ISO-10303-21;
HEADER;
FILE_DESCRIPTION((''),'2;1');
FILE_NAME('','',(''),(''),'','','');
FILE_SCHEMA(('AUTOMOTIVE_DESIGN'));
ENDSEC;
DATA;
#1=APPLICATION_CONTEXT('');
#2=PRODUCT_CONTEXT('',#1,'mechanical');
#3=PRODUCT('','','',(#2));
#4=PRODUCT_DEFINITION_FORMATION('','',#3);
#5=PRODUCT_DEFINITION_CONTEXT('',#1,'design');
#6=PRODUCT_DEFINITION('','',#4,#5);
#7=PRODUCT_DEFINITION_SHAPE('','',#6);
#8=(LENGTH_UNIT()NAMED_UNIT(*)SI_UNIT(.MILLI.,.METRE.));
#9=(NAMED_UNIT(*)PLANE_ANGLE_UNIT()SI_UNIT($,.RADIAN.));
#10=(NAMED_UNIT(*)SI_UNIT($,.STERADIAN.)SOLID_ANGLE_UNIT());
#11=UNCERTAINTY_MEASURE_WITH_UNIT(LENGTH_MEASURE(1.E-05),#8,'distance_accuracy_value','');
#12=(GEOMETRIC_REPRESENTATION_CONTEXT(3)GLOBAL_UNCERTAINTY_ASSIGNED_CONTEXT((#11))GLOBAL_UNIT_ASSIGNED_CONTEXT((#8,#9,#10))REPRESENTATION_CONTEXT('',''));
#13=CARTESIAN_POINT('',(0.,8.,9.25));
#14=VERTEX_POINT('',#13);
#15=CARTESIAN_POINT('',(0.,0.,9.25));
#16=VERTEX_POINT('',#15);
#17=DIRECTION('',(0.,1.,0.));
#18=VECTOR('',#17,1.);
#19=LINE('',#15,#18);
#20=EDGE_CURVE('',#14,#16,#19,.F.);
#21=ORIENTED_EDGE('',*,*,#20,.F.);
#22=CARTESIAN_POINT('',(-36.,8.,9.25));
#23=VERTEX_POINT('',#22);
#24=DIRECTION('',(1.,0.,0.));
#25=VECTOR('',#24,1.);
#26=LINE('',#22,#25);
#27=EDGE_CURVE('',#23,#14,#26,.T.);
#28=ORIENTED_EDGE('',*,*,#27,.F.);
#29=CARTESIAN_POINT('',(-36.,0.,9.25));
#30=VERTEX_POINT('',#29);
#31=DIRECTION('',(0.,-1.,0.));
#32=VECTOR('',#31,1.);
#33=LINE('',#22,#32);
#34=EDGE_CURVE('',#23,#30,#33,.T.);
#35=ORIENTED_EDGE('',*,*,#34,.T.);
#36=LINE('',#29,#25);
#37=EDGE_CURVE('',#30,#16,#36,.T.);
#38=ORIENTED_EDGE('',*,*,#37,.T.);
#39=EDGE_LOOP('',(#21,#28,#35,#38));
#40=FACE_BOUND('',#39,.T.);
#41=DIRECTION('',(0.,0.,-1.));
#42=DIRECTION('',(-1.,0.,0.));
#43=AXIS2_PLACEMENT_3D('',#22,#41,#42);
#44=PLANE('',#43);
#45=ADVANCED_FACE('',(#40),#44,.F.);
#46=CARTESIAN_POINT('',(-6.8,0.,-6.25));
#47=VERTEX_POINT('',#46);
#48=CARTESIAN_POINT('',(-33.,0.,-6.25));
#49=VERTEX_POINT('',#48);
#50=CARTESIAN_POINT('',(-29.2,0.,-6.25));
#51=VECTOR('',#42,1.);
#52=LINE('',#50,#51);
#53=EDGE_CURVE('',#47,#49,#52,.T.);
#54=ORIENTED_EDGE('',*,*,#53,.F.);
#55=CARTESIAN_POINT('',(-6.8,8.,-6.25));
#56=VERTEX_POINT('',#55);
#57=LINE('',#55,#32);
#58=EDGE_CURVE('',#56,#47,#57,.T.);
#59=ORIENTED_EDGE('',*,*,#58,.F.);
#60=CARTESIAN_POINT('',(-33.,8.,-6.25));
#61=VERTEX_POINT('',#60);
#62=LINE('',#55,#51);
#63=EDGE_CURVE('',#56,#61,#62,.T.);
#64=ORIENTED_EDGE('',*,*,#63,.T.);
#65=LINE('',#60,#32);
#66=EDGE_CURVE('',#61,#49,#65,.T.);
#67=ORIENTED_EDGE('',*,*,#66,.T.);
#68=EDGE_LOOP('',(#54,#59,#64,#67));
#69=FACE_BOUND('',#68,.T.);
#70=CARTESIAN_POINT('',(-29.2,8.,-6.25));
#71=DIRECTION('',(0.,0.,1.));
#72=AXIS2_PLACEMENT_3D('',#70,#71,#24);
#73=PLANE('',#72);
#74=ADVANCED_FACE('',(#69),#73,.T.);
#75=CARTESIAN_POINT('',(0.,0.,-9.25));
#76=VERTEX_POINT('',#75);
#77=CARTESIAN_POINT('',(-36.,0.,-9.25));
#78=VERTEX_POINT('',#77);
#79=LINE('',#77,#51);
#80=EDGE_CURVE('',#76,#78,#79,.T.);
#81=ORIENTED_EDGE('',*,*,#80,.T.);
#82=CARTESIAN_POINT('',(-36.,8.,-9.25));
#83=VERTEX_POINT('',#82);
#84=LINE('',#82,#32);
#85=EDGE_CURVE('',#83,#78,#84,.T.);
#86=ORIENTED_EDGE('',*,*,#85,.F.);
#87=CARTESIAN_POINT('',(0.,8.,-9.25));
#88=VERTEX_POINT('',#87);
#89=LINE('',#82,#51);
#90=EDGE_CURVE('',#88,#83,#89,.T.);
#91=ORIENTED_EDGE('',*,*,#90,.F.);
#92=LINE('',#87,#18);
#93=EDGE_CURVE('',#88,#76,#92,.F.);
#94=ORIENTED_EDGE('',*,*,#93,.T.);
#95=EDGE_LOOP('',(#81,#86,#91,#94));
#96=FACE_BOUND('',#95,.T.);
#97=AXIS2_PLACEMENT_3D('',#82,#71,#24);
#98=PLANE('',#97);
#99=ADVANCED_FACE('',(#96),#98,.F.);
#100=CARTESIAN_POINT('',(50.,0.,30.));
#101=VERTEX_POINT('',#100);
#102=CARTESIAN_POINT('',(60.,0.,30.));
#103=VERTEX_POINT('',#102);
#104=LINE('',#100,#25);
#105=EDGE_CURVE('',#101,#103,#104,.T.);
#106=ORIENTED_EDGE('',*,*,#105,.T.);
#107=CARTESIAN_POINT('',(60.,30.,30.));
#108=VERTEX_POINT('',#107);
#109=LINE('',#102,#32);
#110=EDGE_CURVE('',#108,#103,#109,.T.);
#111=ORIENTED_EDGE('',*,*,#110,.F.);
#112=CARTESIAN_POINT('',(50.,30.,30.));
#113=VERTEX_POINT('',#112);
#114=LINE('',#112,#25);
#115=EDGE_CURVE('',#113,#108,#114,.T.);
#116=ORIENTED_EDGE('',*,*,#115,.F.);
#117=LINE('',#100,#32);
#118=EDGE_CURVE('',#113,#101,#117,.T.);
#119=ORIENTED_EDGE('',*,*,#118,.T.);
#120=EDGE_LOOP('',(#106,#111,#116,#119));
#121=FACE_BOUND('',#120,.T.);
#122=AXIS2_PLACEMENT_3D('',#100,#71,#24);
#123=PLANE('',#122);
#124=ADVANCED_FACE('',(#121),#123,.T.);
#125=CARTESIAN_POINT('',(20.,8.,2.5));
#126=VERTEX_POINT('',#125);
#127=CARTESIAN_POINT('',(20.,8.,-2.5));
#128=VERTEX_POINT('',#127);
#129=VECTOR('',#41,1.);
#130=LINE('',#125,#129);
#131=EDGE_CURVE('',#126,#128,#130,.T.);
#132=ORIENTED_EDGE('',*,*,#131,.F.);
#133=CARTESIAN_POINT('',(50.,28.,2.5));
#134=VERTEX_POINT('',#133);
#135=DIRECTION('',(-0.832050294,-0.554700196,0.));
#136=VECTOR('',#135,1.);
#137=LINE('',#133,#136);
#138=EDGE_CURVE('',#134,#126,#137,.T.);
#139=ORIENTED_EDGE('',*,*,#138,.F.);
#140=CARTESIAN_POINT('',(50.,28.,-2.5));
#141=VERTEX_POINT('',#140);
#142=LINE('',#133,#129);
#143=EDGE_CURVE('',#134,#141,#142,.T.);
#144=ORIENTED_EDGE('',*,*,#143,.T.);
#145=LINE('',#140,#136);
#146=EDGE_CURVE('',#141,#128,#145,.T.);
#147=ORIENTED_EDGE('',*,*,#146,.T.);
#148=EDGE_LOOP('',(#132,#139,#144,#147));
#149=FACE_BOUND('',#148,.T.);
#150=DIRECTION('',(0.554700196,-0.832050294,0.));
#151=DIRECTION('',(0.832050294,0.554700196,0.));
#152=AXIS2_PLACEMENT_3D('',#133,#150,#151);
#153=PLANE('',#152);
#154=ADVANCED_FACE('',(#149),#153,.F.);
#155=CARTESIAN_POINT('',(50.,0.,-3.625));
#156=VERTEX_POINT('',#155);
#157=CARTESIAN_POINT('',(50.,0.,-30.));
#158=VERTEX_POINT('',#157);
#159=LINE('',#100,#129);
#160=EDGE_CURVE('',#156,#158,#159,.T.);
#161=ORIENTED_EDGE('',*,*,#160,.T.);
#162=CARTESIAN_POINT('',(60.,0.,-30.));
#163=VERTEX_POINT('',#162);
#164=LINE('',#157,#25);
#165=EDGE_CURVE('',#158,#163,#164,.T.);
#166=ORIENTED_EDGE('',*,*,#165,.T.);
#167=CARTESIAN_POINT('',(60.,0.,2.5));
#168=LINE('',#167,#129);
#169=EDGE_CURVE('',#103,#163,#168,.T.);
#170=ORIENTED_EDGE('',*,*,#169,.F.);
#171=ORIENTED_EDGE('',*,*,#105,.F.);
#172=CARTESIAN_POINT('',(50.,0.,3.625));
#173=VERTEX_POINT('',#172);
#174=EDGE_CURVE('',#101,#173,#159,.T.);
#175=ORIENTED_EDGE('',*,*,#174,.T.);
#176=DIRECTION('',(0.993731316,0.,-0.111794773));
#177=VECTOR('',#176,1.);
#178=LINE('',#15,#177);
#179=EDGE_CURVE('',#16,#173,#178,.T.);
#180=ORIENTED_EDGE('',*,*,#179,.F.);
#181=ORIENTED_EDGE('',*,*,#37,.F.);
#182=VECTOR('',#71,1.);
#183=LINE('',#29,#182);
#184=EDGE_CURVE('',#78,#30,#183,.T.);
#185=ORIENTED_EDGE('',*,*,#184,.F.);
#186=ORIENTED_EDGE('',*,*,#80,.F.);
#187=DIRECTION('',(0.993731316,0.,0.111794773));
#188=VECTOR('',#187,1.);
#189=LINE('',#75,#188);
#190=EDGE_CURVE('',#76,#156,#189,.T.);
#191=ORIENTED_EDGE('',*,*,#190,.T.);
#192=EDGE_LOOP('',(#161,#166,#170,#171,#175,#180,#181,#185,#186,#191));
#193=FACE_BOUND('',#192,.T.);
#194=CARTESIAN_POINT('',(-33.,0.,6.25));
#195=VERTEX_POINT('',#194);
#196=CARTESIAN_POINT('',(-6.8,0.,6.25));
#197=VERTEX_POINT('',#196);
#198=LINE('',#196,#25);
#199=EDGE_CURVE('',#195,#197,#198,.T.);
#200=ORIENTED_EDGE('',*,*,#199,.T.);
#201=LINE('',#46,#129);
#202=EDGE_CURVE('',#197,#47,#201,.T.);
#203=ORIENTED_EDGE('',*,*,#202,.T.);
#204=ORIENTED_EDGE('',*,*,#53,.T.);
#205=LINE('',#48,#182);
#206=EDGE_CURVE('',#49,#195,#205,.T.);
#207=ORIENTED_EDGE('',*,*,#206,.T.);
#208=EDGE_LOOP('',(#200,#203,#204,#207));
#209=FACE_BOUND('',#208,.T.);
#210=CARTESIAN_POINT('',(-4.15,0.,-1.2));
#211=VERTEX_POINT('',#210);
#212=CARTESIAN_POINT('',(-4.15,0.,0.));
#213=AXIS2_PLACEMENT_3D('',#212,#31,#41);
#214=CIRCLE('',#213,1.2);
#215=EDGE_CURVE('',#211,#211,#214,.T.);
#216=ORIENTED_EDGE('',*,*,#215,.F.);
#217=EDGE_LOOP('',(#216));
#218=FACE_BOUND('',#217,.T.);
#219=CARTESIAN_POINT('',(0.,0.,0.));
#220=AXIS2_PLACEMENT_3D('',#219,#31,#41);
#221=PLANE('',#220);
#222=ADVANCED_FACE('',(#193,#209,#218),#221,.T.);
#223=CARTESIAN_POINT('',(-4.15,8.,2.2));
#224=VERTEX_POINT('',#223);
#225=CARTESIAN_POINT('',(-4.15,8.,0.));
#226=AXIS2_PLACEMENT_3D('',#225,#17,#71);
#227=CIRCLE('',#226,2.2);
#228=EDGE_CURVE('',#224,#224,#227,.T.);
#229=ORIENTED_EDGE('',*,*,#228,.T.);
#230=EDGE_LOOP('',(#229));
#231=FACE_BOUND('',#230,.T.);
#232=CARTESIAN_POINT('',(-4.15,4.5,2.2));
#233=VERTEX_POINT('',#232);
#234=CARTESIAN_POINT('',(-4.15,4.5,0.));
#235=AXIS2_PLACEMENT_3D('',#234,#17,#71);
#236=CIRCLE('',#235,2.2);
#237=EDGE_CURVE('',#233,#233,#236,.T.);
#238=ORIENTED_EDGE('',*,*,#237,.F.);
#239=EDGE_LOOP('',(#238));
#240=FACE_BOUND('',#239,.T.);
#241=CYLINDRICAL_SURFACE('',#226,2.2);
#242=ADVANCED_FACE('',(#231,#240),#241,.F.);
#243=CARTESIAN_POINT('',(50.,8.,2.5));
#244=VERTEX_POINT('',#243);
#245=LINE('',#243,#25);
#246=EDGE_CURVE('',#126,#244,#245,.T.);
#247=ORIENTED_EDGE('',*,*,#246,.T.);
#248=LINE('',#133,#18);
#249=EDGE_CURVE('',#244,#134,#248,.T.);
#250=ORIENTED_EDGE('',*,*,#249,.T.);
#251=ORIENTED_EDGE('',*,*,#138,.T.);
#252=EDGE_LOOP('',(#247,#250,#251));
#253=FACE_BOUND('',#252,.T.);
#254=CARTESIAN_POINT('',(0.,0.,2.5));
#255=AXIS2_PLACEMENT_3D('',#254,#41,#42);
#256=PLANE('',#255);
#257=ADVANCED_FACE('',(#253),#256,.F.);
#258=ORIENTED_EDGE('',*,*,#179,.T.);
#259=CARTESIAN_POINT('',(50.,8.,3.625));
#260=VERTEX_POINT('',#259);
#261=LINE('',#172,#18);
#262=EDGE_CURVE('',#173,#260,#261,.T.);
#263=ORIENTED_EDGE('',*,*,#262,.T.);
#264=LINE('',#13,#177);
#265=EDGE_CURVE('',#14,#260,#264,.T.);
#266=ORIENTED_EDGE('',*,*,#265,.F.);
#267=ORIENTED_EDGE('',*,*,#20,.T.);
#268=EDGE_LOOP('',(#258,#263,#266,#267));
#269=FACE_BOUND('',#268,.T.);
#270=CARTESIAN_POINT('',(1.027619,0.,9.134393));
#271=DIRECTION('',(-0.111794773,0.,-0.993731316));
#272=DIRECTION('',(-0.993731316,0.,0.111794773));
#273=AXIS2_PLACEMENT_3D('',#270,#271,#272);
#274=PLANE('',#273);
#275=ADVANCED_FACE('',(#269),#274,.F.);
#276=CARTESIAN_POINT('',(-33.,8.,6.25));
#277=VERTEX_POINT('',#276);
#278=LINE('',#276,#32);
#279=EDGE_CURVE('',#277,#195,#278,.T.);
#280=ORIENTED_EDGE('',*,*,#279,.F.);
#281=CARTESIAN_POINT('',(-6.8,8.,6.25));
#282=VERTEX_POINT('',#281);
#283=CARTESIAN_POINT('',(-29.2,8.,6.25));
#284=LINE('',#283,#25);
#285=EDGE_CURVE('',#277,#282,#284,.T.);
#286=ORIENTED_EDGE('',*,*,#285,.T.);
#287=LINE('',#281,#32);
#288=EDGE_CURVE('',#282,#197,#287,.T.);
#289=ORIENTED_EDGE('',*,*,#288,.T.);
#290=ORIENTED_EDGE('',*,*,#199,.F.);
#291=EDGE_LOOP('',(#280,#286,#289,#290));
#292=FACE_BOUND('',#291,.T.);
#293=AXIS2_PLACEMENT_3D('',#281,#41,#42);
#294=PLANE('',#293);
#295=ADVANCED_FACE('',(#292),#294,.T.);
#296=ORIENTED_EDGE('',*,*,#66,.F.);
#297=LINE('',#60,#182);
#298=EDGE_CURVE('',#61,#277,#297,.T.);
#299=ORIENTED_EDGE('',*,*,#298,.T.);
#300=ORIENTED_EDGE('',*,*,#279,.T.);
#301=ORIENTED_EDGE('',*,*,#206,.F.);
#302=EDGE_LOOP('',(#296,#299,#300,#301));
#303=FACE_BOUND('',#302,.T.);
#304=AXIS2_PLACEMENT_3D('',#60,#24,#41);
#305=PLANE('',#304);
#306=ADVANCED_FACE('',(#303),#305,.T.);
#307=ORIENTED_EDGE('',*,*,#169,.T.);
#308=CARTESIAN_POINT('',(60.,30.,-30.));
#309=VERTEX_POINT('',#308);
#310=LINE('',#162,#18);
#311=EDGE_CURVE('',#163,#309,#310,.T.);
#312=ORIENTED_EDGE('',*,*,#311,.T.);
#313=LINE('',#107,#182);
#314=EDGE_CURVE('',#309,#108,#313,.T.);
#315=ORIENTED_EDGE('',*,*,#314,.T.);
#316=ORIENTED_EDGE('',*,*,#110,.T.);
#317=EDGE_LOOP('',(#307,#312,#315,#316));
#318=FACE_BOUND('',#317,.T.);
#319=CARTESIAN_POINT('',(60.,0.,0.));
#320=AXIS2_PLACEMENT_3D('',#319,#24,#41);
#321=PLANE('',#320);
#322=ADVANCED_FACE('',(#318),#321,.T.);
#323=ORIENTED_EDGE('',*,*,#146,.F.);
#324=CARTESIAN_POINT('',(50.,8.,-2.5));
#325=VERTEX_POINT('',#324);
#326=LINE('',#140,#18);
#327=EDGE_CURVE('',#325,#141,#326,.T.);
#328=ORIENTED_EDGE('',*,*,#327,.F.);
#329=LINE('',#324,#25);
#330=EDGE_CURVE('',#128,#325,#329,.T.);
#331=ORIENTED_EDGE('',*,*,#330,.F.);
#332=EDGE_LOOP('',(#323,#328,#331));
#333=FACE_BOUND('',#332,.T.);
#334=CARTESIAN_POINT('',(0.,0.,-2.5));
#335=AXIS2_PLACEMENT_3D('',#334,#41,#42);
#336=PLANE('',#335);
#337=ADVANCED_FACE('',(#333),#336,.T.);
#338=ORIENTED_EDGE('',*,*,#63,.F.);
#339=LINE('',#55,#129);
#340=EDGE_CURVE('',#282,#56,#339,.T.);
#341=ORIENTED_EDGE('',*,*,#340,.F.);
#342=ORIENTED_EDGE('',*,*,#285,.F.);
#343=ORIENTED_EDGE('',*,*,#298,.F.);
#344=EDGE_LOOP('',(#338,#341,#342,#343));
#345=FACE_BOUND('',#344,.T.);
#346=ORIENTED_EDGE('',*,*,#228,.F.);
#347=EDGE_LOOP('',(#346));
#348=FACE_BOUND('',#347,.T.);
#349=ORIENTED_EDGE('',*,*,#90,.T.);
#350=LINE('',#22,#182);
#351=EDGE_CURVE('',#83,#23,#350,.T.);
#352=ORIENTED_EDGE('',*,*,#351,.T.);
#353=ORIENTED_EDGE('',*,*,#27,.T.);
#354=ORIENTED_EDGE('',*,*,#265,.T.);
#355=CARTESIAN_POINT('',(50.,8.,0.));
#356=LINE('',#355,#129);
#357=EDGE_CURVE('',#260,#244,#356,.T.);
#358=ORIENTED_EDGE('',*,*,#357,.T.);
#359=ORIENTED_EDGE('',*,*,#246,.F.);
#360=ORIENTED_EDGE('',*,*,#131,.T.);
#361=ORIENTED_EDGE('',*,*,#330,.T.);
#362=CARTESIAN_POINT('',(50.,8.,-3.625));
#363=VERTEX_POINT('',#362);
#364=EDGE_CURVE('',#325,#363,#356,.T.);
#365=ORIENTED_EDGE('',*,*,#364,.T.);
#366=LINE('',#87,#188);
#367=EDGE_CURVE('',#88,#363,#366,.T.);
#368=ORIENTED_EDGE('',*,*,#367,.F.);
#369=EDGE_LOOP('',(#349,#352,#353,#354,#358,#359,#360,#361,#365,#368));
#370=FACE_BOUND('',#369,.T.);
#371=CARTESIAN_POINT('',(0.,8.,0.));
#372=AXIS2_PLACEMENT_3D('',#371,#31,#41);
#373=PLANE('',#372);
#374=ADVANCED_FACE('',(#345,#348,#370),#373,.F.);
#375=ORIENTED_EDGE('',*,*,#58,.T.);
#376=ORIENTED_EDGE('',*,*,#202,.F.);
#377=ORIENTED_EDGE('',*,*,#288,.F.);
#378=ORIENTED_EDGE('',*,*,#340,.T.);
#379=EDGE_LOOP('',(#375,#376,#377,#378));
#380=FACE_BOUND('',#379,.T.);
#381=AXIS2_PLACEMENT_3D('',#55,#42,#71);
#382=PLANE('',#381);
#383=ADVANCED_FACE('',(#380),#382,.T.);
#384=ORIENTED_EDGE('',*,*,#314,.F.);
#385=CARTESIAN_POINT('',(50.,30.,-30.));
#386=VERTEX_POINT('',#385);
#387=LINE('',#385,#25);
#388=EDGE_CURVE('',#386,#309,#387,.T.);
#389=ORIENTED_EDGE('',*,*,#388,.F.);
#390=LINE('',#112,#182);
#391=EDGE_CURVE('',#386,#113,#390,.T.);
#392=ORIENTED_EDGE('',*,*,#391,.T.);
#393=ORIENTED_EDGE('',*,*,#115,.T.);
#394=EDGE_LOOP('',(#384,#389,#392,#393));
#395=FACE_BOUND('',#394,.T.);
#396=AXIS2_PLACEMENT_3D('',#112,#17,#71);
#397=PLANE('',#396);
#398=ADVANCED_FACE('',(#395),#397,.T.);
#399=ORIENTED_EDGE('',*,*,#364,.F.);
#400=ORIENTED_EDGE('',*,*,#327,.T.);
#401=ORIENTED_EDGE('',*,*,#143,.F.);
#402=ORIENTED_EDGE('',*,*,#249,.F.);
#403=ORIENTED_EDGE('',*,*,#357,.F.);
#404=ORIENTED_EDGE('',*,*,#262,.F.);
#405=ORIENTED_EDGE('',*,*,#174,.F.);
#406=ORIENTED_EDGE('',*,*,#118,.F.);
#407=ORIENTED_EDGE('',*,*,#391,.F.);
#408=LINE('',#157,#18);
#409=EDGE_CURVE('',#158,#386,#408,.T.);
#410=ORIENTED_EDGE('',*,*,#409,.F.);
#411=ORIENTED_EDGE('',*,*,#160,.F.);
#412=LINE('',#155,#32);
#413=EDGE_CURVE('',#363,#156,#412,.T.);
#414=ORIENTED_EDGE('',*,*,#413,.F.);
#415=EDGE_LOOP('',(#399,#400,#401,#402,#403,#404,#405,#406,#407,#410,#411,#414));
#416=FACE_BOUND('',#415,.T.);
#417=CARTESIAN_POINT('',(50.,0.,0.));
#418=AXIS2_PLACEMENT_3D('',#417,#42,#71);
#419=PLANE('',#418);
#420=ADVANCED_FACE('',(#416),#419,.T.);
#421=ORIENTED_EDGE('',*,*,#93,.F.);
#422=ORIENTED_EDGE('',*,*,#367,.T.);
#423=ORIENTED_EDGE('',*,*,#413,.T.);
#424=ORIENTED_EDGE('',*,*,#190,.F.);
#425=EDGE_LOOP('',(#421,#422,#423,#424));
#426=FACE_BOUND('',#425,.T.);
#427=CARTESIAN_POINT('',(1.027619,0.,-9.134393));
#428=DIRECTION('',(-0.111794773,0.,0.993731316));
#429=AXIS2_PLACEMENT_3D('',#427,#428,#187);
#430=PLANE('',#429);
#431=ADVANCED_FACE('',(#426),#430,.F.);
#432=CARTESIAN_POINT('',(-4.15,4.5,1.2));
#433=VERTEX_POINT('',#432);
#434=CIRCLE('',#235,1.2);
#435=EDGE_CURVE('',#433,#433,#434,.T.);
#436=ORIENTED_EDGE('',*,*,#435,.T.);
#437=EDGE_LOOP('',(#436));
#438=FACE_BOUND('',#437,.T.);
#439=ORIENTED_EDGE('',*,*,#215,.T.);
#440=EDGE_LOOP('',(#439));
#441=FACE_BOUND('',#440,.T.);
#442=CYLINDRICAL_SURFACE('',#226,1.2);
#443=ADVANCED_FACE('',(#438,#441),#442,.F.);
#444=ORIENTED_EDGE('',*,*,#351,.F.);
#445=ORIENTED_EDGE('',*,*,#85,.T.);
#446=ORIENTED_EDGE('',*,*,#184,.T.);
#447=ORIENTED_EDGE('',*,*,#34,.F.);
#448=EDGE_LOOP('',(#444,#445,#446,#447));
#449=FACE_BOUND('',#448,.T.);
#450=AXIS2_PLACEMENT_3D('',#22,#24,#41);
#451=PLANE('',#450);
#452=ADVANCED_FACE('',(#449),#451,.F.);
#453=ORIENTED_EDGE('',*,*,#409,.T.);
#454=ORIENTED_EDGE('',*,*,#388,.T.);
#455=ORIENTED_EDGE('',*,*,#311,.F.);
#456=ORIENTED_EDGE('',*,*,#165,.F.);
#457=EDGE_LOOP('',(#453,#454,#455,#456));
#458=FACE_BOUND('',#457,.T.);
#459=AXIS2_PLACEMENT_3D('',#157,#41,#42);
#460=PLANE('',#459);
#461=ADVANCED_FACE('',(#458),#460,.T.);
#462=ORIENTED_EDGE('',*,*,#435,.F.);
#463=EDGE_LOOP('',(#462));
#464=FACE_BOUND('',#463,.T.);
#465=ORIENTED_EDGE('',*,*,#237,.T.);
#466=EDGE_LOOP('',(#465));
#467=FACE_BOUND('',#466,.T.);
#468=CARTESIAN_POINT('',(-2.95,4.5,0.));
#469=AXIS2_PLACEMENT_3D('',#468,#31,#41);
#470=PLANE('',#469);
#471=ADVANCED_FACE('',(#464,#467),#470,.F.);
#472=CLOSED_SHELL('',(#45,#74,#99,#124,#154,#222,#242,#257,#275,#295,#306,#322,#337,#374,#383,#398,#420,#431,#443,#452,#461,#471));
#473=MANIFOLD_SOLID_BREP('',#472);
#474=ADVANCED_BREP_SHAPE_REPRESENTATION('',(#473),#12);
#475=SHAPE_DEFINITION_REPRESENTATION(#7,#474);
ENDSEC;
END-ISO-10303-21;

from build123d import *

# Parameters (mm, degrees)
SKETCH_1_W                   = 36
SKETCH_1_H                   = 18.5
EXTRUDE_1_DEPTH              = 8
HOLE_WIZARD_M2_1_D           = 2.4
HOLE_WIZARD_M2_1_CBORE_D     = 4.4
HOLE_WIZARD_M2_1_CBORE_DEPTH = 3.5
SKETCH_8_W                   = 60
SKETCH_8_H                   = 30
EXTRUDE_2_DEPTH              = 10
EXTRUDE_3_DEPTH              = 2.5


with BuildPart() as part:
    # 草图1 → 凸台-拉伸1 (new body)
    with BuildSketch(Plane(origin=(0, 0, 0), x_dir=(1, 0, 0), z_dir=(0, 1, 0))):
        with Locations((-18, 0)):
            Rectangle(SKETCH_1_W, SKETCH_1_H)
        Polygon((-6.8, 6.25), (-29.2, 6.25), (-33, 6.25), (-33, -6.25), (-29.2, -6.25), (-6.8, -6.25), align=None, mode=Mode.SUBTRACT)
    extrude(amount=EXTRUDE_1_DEPTH)

    # M2 凹头盖螺钉的柱形沉头孔1 (through all)
    with Locations(Plane(origin=(-4.15, 8, 0), x_dir=(0, 0, 1), z_dir=(0, 1, 0))):
        with Locations((0, 0)):
            CounterBoreHole(HOLE_WIZARD_M2_1_D / 2, HOLE_WIZARD_M2_1_CBORE_D / 2, HOLE_WIZARD_M2_1_CBORE_DEPTH)

    # 草图4 → 放样1 section 0
    with BuildSketch(Plane(origin=(0, 0, 0), x_dir=(0, 0, -1), z_dir=(1, 0, 0))):
        with BuildLine():
            Line((9.25, 8), (-9.25, 8))
            Line((-9.25, 8), (-9.25, 0))
            Line((-9.25, 0), (9.25, 0))
            Line((9.25, 0), (9.25, 8))
        make_face()
    # 草图5 → 放样1 section 1
    with BuildSketch(Plane(origin=(60, 0, 0), x_dir=(0, 0, -1), z_dir=(1, 0, 0))):
        with BuildLine():
            Line((-2.5, 8), (2.5, 8))
            Line((2.5, 8), (2.5, 0))
            Line((2.5, 0), (-2.5, 0))
            Line((-2.5, 0), (-2.5, 8))
        make_face()
    loft()

    # 草图8 → 凸台-拉伸2 (add)
    with BuildSketch(Plane(origin=(60, 0, 0), x_dir=(0, 0, -1), z_dir=(1, 0, 0))):
        with Locations((0, 15)):
            Rectangle(SKETCH_8_W, SKETCH_8_H)
    extrude(amount=-EXTRUDE_2_DEPTH)

    # 草图11 → 凸台-拉伸3 (add, symmetric)
    with BuildSketch(Plane.XY):
        Polygon((50, 28), (20, 8), (50, 8), align=None)
    extrude(amount=EXTRUDE_3_DEPTH, both=True)


solid = part.part
